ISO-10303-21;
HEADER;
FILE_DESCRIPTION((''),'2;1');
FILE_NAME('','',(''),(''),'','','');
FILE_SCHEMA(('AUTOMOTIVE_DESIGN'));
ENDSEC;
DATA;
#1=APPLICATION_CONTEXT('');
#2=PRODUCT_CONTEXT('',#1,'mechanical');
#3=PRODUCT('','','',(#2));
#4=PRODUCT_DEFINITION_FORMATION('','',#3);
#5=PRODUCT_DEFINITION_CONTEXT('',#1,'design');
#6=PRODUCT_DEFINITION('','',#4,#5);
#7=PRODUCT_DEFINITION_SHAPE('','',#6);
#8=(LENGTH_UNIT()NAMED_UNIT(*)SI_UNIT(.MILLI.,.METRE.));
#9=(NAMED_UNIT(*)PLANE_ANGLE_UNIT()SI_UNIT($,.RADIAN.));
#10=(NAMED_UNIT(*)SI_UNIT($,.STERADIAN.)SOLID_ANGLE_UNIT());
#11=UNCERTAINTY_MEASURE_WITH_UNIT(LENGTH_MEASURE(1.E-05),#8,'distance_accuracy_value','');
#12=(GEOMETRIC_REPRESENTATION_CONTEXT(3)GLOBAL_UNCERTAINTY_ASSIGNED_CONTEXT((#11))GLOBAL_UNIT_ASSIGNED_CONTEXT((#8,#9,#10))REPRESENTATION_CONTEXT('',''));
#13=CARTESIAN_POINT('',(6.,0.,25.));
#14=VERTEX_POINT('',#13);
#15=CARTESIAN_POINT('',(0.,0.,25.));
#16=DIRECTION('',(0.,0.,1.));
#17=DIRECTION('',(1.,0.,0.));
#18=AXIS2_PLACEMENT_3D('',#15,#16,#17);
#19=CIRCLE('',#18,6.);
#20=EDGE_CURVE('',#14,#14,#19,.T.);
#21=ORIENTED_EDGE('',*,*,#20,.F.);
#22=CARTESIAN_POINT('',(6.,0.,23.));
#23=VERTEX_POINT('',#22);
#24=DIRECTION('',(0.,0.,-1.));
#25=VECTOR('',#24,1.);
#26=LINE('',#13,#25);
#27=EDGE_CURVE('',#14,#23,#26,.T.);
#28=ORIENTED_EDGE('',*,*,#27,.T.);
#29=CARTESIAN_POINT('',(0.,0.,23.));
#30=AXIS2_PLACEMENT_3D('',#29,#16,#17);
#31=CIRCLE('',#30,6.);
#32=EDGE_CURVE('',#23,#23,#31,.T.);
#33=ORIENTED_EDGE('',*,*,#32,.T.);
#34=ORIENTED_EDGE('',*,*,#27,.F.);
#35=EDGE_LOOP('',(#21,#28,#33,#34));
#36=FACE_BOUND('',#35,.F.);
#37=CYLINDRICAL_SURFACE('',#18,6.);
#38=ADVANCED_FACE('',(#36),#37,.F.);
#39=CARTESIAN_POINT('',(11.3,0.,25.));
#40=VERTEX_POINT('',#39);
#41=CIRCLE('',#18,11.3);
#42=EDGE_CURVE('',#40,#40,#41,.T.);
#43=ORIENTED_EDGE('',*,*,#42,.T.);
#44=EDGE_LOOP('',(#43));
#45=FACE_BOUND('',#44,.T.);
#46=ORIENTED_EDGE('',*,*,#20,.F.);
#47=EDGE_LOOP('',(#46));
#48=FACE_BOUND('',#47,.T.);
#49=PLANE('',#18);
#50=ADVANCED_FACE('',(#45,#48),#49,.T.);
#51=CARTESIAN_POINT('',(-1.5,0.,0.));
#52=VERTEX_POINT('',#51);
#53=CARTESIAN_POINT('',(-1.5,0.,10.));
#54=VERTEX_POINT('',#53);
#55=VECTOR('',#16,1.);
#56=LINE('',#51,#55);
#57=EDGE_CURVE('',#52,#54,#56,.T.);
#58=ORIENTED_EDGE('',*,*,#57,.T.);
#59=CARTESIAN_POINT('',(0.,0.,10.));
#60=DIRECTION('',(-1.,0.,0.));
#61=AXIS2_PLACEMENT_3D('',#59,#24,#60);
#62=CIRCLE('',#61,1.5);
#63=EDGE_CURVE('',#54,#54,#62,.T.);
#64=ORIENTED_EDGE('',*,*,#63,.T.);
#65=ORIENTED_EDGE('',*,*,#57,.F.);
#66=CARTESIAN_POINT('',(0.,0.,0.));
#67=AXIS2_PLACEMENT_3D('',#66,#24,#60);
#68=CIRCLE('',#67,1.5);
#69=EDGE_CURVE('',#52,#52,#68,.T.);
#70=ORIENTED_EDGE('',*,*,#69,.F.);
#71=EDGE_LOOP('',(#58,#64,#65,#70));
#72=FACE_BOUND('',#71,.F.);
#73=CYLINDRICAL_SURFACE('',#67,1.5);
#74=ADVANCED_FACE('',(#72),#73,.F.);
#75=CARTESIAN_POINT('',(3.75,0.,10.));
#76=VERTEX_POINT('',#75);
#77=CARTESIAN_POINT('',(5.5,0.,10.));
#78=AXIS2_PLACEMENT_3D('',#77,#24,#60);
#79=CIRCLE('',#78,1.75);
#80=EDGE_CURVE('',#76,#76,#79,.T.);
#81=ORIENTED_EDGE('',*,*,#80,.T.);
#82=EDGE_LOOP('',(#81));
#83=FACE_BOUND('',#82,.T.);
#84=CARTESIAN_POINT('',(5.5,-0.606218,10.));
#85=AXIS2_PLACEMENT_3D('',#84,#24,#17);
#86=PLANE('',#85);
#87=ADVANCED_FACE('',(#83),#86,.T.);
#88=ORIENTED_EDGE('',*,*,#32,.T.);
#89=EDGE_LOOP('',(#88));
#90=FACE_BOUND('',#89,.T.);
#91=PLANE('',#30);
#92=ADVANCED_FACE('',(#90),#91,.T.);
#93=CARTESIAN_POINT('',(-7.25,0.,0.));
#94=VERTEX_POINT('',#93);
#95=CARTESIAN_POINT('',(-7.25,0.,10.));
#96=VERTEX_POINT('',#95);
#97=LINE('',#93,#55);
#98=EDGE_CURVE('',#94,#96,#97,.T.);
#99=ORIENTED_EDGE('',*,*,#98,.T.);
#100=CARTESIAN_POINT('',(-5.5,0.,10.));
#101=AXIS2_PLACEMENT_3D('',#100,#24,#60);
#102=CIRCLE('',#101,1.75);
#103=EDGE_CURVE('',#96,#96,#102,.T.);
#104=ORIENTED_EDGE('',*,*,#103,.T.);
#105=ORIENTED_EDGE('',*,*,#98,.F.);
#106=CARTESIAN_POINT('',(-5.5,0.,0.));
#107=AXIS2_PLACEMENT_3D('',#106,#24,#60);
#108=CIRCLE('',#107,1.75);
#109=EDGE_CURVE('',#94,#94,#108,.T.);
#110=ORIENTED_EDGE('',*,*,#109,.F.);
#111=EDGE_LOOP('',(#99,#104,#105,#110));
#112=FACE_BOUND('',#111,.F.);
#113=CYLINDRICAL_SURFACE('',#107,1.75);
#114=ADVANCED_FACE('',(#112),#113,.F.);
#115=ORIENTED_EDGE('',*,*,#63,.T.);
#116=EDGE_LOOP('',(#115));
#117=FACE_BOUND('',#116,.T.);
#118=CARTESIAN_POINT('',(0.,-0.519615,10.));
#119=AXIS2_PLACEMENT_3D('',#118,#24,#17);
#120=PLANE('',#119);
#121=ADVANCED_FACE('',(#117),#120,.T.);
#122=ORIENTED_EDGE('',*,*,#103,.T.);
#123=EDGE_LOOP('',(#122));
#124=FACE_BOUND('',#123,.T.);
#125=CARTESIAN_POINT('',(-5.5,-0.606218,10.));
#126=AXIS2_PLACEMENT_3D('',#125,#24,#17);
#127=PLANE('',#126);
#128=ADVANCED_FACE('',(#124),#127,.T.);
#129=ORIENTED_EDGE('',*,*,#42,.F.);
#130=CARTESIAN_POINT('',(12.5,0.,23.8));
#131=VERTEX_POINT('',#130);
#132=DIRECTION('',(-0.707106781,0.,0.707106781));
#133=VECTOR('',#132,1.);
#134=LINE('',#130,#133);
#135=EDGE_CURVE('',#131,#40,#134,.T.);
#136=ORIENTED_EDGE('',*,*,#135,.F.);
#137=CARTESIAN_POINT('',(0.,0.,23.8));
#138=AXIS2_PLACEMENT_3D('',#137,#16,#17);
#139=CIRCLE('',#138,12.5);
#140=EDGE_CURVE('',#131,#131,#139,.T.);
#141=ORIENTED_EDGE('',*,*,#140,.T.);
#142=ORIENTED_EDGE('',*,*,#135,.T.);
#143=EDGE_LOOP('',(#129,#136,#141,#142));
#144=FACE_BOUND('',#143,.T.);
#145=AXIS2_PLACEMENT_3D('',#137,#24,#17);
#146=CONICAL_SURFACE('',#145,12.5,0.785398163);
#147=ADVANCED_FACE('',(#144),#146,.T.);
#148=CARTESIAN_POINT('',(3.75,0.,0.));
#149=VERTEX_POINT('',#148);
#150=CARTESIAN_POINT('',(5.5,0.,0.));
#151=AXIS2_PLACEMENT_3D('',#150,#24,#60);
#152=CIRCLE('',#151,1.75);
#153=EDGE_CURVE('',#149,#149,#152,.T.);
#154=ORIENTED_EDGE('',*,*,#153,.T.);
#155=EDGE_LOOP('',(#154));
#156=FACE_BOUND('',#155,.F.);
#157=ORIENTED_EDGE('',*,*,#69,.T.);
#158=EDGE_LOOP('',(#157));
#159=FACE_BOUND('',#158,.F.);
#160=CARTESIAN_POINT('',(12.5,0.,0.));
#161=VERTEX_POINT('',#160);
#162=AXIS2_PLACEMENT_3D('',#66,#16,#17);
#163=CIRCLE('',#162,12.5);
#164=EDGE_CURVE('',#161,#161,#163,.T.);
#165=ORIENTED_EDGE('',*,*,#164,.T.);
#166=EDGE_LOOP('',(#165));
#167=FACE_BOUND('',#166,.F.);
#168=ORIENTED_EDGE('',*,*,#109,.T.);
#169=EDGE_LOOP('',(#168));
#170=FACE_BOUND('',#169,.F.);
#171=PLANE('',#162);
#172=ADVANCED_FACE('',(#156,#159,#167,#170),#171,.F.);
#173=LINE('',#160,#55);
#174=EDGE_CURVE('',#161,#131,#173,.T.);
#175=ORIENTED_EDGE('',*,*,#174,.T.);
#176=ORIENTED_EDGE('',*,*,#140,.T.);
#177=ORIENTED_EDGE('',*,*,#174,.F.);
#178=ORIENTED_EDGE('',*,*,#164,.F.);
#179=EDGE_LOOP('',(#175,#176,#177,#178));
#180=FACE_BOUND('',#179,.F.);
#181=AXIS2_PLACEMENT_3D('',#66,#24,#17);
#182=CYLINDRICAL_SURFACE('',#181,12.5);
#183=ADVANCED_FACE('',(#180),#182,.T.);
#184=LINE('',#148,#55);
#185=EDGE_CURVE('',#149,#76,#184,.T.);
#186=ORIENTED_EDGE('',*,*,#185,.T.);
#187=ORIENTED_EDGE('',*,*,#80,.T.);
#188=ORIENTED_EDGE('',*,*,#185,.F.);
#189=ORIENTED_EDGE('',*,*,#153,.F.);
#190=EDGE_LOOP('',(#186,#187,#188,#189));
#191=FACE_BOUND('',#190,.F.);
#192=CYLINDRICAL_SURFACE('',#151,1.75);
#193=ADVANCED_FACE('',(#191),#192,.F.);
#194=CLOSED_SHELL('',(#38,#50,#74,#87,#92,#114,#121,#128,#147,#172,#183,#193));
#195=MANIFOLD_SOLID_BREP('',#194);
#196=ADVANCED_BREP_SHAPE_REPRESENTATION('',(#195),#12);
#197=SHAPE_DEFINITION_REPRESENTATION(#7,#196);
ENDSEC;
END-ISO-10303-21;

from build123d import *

# Parameters (mm, degrees)
F0_R     = 12.5
F1_DEPTH = 25
F2_R     = 6
F3_DEPTH = 2
F5_DEPTH = 10
F6_SIZE  = 1.2


with BuildPart() as f1:
    # F0 (on Top) → F1 (new body)
    with BuildSketch(Plane.XY):
        Circle(F0_R)
    extrude(amount=F1_DEPTH)

    # F2 (on face) → F3 (cut)
    with BuildSketch(Plane.XY.offset(25)):
        Circle(F2_R)
    extrude(amount=-F3_DEPTH, mode=Mode.SUBTRACT)

    # F4 (on face) → F5 (cut)
    with BuildSketch(Plane(origin=(0, 0, 0), x_dir=(1, 0, 0), z_dir=(0, 0, -1))):
        with BuildLine():
            ThreePointArc((-3.75, 0), (-5.5, 1.75), (-7.25, 0))
            Line((-7.25, 0), (-3.75, 0))
        make_face()
        with BuildLine():
            ThreePointArc((7.25, 0), (5.5, 1.75), (3.75, 0))
            Line((3.75, 0), (7.25, 0))
        make_face()
        with BuildLine():
            Line((7.25, 0), (3.75, 0))
            ThreePointArc((3.75, 0), (5.5, -1.75), (7.25, 0))
        make_face()
        with BuildLine():
            ThreePointArc((1.5, 0), (0, 1.5), (-1.5, 0))
            Line((-1.5, 0), (1.5, 0))
        make_face()
        with BuildLine():
            Line((1.5, 0), (-1.5, 0))
            ThreePointArc((-1.5, 0), (0, -1.5), (1.5, 0))
        make_face()
        with BuildLine():
            Line((-3.75, 0), (-7.25, 0))
            ThreePointArc((-7.25, 0), (-5.5, -1.75), (-3.75, 0))
        make_face()
    extrude(amount=-F5_DEPTH, mode=Mode.SUBTRACT)

    # F6
    f6_edges = [f1.edges().sort_by_distance(p)[0] for p in [
        (-12.5, 0, 25),
    ]]
    chamfer(f6_edges, length=F6_SIZE)


solid = f1.part
